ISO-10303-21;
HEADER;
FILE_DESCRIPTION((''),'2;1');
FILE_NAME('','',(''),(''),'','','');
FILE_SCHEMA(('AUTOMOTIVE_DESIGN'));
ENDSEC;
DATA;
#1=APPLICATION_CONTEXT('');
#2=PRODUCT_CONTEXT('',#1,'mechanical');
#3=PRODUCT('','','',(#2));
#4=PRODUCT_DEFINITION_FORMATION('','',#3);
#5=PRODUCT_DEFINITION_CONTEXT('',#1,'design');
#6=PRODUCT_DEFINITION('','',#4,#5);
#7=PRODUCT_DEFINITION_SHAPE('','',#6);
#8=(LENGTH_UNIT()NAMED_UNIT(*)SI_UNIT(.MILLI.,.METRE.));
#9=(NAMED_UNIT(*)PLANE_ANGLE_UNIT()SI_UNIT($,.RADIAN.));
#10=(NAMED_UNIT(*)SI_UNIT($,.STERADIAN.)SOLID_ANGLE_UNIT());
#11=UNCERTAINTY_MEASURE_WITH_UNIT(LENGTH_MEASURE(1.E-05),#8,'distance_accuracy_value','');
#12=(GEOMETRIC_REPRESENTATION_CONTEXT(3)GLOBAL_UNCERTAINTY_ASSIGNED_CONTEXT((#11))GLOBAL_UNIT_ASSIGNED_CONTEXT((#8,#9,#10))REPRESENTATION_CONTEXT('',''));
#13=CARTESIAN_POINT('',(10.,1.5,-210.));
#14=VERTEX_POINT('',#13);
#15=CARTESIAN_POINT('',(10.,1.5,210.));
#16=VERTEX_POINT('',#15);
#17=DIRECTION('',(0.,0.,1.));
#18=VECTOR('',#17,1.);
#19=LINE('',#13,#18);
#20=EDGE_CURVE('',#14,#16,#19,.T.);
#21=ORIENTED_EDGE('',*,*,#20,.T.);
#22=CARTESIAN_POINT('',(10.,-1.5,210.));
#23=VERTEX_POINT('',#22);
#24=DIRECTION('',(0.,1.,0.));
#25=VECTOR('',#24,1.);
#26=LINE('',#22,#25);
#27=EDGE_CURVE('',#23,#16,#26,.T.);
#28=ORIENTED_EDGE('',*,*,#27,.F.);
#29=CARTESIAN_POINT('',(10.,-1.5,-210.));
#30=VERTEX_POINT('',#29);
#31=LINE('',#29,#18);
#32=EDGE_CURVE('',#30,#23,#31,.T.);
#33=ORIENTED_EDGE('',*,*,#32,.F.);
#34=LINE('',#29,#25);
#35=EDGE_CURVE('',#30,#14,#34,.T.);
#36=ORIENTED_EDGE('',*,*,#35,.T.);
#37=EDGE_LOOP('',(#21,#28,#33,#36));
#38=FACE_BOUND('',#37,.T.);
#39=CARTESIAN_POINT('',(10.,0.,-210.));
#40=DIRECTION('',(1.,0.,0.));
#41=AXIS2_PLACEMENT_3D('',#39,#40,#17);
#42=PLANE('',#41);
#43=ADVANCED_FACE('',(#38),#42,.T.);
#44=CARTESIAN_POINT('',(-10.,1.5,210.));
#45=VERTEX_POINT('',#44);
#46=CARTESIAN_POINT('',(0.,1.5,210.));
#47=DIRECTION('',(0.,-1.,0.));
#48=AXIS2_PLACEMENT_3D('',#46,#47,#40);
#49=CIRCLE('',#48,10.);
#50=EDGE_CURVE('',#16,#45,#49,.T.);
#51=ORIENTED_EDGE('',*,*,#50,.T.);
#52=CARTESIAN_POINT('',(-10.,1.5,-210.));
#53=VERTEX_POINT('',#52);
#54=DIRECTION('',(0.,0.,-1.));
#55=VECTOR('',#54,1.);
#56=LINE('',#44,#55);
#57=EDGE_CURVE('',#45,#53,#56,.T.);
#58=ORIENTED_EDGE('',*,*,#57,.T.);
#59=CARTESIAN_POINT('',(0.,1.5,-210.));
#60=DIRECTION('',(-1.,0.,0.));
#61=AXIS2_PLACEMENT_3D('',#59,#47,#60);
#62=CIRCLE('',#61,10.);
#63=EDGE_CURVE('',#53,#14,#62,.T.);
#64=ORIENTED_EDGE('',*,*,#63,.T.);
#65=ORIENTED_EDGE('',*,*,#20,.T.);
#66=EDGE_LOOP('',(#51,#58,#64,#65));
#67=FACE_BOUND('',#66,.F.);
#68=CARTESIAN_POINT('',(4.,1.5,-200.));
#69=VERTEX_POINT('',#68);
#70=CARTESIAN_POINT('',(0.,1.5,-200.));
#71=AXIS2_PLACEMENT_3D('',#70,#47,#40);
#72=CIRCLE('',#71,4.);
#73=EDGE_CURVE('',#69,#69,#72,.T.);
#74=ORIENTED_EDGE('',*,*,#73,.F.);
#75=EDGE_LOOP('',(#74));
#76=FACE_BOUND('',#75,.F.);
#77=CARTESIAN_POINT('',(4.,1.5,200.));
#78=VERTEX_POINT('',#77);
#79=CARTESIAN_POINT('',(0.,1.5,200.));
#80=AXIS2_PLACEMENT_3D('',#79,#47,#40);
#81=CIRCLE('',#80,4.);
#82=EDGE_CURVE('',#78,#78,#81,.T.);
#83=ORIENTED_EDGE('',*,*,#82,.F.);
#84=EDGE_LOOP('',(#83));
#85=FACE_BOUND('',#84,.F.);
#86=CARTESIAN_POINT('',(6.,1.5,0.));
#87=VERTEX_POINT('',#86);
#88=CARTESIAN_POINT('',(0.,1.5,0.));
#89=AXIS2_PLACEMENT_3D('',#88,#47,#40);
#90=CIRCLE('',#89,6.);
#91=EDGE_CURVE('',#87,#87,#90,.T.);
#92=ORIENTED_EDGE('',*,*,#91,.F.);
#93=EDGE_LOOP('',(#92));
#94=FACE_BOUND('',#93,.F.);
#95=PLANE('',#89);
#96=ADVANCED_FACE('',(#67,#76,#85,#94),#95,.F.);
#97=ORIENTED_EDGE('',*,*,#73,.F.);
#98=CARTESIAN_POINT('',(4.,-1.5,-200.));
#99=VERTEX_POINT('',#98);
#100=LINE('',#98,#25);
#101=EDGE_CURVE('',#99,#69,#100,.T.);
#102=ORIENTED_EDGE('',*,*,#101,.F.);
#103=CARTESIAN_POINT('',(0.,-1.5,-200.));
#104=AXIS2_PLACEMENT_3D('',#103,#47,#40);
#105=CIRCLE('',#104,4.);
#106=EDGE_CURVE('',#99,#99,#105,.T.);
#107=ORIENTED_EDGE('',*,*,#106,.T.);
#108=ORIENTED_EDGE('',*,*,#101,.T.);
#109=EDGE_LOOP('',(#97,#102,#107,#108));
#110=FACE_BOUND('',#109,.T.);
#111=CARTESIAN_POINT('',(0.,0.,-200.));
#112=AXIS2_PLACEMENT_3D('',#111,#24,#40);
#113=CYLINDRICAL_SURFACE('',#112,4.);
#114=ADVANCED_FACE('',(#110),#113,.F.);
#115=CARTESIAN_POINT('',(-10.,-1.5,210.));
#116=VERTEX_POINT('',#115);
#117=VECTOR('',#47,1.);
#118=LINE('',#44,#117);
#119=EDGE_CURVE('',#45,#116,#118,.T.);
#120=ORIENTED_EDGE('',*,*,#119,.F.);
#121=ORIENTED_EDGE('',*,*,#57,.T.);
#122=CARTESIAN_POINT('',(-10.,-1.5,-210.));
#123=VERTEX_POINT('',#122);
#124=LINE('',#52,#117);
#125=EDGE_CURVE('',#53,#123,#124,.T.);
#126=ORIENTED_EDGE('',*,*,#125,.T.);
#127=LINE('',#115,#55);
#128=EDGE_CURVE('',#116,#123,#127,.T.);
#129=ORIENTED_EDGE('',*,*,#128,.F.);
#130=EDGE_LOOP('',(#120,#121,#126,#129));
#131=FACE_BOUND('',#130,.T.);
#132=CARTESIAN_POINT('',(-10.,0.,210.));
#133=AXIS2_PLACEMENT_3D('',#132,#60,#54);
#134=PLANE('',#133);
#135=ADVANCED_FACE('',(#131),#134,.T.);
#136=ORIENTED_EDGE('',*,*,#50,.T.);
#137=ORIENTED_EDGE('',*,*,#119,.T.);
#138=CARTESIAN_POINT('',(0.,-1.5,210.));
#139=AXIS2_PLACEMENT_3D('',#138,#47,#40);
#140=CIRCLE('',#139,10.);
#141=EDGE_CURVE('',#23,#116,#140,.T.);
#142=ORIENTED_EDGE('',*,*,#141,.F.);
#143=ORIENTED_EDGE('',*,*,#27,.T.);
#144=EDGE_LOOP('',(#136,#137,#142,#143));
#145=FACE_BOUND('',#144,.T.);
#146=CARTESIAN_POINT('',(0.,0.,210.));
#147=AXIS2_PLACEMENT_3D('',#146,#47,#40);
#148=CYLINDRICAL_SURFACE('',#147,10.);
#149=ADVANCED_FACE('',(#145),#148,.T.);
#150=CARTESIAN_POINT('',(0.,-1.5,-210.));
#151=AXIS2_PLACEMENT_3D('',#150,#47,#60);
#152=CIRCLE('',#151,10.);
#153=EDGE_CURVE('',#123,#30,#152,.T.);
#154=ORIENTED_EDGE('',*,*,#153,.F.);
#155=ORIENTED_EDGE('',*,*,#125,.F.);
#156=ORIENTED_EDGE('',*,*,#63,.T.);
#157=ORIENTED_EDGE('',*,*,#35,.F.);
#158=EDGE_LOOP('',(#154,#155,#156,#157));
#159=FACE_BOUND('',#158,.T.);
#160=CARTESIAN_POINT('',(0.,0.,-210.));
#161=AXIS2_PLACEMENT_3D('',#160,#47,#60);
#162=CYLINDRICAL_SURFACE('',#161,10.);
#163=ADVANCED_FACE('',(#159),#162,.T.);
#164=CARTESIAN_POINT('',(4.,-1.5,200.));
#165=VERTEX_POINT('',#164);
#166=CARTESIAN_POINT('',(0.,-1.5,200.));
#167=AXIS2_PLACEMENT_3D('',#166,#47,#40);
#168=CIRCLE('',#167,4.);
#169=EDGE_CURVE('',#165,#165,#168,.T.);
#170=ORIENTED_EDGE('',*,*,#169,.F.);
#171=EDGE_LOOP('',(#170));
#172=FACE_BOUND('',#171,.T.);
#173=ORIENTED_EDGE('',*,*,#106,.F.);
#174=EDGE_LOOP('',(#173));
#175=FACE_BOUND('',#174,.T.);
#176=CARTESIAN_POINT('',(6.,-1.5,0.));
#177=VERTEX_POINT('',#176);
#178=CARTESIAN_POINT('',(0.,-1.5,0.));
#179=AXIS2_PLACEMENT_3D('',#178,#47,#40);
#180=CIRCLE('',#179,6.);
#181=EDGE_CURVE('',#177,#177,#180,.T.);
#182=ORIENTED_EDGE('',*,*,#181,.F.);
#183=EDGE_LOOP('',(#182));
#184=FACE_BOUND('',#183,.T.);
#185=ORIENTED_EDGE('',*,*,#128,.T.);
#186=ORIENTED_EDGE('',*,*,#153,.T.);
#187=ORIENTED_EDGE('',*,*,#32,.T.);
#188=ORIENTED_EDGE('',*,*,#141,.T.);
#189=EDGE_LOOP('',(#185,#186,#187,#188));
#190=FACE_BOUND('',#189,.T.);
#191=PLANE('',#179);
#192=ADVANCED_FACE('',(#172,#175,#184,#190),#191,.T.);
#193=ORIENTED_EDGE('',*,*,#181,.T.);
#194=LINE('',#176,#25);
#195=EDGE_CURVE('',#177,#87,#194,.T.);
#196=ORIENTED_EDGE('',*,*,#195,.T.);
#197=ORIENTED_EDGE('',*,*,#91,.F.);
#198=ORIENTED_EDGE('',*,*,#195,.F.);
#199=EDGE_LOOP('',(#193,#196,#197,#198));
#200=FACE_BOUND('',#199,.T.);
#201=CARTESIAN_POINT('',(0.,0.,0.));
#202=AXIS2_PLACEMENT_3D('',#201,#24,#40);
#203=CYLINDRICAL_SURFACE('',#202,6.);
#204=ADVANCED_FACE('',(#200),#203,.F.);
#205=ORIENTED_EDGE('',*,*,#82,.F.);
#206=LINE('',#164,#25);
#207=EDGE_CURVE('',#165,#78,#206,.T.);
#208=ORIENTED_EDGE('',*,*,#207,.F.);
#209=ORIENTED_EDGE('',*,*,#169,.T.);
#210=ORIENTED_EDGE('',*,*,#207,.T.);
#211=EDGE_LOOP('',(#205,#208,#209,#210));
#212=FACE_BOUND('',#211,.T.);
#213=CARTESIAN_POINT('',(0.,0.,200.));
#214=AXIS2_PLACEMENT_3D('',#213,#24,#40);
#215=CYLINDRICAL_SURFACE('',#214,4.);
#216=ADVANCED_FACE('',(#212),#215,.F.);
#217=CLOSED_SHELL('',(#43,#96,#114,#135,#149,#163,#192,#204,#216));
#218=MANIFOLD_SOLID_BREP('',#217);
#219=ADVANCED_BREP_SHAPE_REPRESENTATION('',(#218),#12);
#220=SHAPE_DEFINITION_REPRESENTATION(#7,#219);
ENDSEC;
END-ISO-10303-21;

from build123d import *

# Parameters (mm, degrees)
F0_R     = 4
F0_R_2   = 6
F1_DEPTH = 1.5


with BuildPart() as f1:
    # F0 (on Front) → F1 (new body, symmetric)
    with BuildSketch(Plane.XZ):
        with BuildLine():
            ThreePointArc((10, 210), (0, 220), (-10, 210))
            Line((-10, 210), (-10, -210))
            ThreePointArc((-10, -210), (0, -220), (10, -210))
            Line((10, -210), (10, 210))
        make_face()
        with Locations((0, -200)):
            Circle(F0_R, mode=Mode.SUBTRACT)
        Circle(F0_R_2, mode=Mode.SUBTRACT)
        with Locations((0, 200)):
            Circle(F0_R, mode=Mode.SUBTRACT)
    extrude(amount=F1_DEPTH, both=True)


solid = f1.part
